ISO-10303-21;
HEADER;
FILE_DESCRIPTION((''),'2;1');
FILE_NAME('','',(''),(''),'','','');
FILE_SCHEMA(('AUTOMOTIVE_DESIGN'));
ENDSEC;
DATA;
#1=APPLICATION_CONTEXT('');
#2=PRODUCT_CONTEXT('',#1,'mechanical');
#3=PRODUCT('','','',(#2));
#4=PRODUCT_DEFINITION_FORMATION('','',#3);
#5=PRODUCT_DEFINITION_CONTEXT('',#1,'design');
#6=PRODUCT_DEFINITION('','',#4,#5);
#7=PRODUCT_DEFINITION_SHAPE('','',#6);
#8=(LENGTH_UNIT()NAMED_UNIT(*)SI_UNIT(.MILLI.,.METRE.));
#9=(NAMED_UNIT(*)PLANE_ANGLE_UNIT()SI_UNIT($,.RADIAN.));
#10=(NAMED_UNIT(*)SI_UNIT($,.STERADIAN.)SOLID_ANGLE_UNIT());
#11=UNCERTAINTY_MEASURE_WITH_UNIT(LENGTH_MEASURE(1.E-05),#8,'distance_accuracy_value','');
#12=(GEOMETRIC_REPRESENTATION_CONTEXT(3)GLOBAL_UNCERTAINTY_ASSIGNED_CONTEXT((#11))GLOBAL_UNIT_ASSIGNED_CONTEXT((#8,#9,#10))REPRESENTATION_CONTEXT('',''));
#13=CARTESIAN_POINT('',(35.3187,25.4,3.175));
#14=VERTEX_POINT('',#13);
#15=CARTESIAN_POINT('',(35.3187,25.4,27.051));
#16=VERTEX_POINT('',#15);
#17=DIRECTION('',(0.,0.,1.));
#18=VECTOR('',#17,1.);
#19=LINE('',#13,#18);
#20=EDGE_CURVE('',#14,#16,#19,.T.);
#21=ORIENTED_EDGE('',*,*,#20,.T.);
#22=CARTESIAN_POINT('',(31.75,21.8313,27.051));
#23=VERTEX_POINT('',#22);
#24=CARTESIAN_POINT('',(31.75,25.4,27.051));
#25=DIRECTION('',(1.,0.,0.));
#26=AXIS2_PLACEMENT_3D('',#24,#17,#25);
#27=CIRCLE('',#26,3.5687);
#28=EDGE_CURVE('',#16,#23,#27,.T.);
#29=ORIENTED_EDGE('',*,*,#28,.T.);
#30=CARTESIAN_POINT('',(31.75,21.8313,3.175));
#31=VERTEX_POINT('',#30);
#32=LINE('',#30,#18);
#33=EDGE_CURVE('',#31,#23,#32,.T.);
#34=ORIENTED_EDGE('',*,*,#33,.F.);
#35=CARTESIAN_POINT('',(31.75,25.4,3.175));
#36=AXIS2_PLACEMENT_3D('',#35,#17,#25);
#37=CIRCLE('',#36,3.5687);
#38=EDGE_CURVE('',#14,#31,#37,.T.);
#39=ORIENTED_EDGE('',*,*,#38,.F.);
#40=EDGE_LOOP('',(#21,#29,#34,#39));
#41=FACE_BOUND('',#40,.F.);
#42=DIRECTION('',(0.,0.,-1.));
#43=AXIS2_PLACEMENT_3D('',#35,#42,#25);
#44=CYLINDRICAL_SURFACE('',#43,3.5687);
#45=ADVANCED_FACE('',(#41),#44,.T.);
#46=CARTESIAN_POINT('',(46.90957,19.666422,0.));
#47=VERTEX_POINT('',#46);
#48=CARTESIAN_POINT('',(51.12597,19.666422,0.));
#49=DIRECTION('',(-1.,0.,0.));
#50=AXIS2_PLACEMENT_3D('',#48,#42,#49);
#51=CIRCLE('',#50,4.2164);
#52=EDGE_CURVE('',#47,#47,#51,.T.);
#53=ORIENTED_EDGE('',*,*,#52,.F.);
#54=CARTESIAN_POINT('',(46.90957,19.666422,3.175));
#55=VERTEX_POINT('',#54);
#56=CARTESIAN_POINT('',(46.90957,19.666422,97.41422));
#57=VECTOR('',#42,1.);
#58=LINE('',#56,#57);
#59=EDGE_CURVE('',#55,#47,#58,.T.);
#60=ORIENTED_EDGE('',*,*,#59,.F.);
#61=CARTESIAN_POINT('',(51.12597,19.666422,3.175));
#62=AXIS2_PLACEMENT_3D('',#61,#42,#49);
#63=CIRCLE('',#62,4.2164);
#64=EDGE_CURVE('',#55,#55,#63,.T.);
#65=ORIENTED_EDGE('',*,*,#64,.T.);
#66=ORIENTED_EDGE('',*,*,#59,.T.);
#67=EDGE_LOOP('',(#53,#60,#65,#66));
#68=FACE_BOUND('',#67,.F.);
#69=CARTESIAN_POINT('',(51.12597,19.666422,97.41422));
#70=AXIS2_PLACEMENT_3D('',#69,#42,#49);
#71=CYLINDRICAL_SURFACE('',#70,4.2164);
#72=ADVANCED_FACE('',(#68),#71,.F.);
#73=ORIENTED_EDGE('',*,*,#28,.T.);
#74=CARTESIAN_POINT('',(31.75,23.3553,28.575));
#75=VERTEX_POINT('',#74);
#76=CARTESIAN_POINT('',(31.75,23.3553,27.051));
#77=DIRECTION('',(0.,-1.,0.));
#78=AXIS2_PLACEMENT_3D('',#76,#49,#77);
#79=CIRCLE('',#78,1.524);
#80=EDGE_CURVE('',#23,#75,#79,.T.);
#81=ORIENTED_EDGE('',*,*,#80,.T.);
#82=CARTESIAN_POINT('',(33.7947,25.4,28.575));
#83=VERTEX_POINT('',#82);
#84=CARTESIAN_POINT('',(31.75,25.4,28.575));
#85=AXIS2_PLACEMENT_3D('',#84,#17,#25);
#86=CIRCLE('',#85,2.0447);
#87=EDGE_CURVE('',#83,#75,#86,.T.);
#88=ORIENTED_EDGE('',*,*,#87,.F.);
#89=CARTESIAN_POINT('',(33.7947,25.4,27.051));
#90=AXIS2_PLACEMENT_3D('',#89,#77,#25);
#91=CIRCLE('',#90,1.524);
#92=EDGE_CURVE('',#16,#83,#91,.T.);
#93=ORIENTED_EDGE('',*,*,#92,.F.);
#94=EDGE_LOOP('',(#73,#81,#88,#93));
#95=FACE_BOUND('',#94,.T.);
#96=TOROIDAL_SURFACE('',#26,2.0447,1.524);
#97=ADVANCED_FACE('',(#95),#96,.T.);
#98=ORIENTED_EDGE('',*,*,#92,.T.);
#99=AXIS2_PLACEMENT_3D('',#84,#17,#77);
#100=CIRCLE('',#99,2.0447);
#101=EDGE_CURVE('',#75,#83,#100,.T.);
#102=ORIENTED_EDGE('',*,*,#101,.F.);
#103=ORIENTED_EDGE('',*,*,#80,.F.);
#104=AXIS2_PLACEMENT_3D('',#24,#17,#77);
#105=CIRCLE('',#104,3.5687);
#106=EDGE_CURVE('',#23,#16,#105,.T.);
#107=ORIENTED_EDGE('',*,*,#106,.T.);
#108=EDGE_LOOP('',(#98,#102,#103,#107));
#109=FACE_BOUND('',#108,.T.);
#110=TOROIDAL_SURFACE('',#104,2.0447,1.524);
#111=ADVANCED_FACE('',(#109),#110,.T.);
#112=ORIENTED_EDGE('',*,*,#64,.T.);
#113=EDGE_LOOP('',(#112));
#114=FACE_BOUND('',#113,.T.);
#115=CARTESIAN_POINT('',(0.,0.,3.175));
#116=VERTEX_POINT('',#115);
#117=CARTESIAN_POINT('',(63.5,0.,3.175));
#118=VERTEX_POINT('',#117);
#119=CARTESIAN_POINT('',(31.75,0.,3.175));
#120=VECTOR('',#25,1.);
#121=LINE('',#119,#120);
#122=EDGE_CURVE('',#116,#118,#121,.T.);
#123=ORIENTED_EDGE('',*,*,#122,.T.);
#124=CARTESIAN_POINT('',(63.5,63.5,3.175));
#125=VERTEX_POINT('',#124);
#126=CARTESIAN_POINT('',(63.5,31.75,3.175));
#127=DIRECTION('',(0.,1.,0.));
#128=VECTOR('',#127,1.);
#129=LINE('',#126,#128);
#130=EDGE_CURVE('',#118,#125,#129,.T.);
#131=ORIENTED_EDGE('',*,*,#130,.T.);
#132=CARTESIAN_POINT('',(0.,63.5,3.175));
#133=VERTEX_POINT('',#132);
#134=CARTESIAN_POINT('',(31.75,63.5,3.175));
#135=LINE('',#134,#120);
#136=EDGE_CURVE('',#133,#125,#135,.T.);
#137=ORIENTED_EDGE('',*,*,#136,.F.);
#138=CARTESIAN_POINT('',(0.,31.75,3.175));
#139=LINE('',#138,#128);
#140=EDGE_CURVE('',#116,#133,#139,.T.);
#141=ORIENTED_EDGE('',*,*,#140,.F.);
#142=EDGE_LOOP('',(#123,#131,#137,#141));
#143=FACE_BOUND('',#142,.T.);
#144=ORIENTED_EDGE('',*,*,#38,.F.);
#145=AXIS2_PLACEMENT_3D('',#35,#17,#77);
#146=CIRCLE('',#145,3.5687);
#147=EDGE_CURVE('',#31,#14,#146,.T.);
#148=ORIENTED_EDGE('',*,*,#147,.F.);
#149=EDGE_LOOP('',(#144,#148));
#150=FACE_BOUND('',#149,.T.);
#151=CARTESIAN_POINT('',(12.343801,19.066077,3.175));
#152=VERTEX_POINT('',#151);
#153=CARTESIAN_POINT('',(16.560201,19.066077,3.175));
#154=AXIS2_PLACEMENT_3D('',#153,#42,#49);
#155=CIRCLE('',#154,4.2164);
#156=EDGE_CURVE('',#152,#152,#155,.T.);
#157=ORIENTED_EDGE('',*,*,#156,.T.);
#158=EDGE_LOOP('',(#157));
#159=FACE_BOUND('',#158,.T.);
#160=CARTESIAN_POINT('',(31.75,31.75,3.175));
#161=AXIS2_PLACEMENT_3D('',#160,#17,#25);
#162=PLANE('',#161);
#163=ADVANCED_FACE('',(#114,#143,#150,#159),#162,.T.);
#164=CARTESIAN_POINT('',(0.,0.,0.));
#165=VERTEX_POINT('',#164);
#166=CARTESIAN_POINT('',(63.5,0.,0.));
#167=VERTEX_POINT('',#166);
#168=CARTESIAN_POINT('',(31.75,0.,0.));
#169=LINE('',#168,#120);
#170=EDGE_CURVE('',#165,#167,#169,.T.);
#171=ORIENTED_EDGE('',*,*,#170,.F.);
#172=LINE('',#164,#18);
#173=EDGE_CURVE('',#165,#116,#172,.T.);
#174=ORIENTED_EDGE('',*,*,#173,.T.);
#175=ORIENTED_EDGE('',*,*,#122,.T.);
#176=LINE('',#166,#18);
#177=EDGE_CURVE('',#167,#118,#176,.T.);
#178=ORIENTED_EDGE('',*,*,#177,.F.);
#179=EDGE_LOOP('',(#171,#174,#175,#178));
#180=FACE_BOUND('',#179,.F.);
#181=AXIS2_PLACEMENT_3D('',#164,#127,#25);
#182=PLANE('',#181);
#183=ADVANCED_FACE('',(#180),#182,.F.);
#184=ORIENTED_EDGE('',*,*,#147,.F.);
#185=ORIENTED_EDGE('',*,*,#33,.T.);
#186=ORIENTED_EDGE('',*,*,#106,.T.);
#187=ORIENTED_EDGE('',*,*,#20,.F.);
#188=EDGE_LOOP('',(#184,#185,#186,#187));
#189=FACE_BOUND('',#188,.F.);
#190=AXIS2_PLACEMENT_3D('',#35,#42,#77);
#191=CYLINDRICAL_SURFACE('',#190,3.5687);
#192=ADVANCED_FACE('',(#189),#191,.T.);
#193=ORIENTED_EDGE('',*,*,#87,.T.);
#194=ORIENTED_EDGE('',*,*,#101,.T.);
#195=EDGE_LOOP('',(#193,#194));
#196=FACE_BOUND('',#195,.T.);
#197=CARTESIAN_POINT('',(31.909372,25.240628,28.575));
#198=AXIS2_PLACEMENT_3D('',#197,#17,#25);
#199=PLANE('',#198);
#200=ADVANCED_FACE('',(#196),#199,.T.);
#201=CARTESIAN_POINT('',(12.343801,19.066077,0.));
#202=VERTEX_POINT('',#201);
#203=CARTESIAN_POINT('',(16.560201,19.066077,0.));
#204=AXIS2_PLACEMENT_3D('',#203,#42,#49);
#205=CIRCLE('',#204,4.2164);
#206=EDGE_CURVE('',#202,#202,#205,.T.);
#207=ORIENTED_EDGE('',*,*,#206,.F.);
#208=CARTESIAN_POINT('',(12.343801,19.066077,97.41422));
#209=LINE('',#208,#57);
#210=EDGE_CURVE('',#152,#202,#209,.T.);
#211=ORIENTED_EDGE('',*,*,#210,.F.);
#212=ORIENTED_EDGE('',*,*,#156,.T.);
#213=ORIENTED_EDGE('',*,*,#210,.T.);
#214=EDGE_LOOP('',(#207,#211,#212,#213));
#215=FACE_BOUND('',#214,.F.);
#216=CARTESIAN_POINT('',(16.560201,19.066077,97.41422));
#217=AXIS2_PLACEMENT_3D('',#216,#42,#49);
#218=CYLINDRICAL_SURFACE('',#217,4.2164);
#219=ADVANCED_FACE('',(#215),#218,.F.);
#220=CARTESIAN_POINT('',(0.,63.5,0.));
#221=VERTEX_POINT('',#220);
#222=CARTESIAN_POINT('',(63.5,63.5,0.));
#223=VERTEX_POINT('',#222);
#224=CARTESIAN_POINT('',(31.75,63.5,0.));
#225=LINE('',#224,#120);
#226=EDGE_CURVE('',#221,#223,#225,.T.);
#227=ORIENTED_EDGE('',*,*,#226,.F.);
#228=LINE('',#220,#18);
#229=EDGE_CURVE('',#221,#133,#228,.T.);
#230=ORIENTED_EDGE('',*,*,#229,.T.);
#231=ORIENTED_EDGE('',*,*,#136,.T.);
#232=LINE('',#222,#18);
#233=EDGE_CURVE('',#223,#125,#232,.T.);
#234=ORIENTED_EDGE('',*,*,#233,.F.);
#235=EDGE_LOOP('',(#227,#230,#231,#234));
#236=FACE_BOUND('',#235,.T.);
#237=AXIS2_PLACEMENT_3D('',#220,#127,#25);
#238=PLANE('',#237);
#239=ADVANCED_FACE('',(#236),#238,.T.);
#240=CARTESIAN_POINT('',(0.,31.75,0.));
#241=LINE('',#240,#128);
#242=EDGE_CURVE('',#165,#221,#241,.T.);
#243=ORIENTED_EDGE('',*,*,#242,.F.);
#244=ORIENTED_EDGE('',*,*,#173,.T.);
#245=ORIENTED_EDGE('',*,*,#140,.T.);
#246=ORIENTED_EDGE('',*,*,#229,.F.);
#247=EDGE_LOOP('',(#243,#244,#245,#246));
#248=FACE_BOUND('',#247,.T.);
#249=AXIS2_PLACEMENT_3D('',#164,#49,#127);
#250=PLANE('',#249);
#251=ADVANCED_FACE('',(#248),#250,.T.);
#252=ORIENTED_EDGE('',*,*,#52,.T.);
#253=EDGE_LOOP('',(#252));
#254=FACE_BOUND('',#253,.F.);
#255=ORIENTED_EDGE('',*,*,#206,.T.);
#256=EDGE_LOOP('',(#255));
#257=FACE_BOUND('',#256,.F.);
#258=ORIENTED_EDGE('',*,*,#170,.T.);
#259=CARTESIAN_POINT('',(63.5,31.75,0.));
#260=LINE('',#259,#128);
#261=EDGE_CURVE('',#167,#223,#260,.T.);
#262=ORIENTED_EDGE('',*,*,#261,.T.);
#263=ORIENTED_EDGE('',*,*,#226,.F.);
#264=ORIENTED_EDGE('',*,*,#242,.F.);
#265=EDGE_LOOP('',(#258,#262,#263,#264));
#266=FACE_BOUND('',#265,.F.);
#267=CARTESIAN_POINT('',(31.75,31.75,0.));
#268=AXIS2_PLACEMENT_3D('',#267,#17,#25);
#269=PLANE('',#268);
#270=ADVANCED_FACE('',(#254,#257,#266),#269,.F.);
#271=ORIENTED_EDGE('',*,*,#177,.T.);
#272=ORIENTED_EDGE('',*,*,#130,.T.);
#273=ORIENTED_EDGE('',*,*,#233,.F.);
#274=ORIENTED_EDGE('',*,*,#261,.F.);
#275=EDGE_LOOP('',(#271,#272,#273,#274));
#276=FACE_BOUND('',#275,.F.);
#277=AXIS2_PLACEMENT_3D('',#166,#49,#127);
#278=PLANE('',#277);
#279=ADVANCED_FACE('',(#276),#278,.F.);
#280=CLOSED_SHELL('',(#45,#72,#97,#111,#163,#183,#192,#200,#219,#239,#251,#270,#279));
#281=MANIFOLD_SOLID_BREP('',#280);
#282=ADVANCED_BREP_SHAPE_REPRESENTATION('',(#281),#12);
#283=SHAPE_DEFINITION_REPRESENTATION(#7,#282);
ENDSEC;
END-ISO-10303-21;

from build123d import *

# Parameters (mm, degrees)
F0_W     = 63.5
F0_H     = 63.5
F1_DEPTH = 3.175
F3_DEPTH = 25.4
F4_R     = 1.524
F6_D     = 8.4328


with BuildPart() as f1:
    # F0 (on Top) → F1 (new body)
    with BuildSketch(Plane.XY):
        with Locations((31.75, 31.75)):
            Rectangle(F0_W, F0_H)
    extrude(amount=F1_DEPTH)

    # F2 (on face) → F3 (join)
    with BuildSketch(Plane.XY.offset(3.175)):
        with BuildLine():
            ThreePointArc((31.75, 21.8313), (34.27345197, 22.87654803), (35.3187, 25.4))
            ThreePointArc((35.3187, 25.4), (29.22654803, 27.92345197), (31.75, 21.8313))
        make_face()
    extrude(amount=F3_DEPTH)

    # F4
    f4_edges = [f1.edges().sort_by_distance(p)[0] for p in [
        (31.75, 28.9687, 28.575),
    ]]
    fillet(f4_edges, radius=F4_R)

    # F6 (through all)
    with Locations(Plane.XY.offset(3.175)):
        with Locations((16.5602006018, 19.0660767257), (51.1259697378, 19.6664221585)):
            Hole(F6_D / 2)


solid = f1.part
